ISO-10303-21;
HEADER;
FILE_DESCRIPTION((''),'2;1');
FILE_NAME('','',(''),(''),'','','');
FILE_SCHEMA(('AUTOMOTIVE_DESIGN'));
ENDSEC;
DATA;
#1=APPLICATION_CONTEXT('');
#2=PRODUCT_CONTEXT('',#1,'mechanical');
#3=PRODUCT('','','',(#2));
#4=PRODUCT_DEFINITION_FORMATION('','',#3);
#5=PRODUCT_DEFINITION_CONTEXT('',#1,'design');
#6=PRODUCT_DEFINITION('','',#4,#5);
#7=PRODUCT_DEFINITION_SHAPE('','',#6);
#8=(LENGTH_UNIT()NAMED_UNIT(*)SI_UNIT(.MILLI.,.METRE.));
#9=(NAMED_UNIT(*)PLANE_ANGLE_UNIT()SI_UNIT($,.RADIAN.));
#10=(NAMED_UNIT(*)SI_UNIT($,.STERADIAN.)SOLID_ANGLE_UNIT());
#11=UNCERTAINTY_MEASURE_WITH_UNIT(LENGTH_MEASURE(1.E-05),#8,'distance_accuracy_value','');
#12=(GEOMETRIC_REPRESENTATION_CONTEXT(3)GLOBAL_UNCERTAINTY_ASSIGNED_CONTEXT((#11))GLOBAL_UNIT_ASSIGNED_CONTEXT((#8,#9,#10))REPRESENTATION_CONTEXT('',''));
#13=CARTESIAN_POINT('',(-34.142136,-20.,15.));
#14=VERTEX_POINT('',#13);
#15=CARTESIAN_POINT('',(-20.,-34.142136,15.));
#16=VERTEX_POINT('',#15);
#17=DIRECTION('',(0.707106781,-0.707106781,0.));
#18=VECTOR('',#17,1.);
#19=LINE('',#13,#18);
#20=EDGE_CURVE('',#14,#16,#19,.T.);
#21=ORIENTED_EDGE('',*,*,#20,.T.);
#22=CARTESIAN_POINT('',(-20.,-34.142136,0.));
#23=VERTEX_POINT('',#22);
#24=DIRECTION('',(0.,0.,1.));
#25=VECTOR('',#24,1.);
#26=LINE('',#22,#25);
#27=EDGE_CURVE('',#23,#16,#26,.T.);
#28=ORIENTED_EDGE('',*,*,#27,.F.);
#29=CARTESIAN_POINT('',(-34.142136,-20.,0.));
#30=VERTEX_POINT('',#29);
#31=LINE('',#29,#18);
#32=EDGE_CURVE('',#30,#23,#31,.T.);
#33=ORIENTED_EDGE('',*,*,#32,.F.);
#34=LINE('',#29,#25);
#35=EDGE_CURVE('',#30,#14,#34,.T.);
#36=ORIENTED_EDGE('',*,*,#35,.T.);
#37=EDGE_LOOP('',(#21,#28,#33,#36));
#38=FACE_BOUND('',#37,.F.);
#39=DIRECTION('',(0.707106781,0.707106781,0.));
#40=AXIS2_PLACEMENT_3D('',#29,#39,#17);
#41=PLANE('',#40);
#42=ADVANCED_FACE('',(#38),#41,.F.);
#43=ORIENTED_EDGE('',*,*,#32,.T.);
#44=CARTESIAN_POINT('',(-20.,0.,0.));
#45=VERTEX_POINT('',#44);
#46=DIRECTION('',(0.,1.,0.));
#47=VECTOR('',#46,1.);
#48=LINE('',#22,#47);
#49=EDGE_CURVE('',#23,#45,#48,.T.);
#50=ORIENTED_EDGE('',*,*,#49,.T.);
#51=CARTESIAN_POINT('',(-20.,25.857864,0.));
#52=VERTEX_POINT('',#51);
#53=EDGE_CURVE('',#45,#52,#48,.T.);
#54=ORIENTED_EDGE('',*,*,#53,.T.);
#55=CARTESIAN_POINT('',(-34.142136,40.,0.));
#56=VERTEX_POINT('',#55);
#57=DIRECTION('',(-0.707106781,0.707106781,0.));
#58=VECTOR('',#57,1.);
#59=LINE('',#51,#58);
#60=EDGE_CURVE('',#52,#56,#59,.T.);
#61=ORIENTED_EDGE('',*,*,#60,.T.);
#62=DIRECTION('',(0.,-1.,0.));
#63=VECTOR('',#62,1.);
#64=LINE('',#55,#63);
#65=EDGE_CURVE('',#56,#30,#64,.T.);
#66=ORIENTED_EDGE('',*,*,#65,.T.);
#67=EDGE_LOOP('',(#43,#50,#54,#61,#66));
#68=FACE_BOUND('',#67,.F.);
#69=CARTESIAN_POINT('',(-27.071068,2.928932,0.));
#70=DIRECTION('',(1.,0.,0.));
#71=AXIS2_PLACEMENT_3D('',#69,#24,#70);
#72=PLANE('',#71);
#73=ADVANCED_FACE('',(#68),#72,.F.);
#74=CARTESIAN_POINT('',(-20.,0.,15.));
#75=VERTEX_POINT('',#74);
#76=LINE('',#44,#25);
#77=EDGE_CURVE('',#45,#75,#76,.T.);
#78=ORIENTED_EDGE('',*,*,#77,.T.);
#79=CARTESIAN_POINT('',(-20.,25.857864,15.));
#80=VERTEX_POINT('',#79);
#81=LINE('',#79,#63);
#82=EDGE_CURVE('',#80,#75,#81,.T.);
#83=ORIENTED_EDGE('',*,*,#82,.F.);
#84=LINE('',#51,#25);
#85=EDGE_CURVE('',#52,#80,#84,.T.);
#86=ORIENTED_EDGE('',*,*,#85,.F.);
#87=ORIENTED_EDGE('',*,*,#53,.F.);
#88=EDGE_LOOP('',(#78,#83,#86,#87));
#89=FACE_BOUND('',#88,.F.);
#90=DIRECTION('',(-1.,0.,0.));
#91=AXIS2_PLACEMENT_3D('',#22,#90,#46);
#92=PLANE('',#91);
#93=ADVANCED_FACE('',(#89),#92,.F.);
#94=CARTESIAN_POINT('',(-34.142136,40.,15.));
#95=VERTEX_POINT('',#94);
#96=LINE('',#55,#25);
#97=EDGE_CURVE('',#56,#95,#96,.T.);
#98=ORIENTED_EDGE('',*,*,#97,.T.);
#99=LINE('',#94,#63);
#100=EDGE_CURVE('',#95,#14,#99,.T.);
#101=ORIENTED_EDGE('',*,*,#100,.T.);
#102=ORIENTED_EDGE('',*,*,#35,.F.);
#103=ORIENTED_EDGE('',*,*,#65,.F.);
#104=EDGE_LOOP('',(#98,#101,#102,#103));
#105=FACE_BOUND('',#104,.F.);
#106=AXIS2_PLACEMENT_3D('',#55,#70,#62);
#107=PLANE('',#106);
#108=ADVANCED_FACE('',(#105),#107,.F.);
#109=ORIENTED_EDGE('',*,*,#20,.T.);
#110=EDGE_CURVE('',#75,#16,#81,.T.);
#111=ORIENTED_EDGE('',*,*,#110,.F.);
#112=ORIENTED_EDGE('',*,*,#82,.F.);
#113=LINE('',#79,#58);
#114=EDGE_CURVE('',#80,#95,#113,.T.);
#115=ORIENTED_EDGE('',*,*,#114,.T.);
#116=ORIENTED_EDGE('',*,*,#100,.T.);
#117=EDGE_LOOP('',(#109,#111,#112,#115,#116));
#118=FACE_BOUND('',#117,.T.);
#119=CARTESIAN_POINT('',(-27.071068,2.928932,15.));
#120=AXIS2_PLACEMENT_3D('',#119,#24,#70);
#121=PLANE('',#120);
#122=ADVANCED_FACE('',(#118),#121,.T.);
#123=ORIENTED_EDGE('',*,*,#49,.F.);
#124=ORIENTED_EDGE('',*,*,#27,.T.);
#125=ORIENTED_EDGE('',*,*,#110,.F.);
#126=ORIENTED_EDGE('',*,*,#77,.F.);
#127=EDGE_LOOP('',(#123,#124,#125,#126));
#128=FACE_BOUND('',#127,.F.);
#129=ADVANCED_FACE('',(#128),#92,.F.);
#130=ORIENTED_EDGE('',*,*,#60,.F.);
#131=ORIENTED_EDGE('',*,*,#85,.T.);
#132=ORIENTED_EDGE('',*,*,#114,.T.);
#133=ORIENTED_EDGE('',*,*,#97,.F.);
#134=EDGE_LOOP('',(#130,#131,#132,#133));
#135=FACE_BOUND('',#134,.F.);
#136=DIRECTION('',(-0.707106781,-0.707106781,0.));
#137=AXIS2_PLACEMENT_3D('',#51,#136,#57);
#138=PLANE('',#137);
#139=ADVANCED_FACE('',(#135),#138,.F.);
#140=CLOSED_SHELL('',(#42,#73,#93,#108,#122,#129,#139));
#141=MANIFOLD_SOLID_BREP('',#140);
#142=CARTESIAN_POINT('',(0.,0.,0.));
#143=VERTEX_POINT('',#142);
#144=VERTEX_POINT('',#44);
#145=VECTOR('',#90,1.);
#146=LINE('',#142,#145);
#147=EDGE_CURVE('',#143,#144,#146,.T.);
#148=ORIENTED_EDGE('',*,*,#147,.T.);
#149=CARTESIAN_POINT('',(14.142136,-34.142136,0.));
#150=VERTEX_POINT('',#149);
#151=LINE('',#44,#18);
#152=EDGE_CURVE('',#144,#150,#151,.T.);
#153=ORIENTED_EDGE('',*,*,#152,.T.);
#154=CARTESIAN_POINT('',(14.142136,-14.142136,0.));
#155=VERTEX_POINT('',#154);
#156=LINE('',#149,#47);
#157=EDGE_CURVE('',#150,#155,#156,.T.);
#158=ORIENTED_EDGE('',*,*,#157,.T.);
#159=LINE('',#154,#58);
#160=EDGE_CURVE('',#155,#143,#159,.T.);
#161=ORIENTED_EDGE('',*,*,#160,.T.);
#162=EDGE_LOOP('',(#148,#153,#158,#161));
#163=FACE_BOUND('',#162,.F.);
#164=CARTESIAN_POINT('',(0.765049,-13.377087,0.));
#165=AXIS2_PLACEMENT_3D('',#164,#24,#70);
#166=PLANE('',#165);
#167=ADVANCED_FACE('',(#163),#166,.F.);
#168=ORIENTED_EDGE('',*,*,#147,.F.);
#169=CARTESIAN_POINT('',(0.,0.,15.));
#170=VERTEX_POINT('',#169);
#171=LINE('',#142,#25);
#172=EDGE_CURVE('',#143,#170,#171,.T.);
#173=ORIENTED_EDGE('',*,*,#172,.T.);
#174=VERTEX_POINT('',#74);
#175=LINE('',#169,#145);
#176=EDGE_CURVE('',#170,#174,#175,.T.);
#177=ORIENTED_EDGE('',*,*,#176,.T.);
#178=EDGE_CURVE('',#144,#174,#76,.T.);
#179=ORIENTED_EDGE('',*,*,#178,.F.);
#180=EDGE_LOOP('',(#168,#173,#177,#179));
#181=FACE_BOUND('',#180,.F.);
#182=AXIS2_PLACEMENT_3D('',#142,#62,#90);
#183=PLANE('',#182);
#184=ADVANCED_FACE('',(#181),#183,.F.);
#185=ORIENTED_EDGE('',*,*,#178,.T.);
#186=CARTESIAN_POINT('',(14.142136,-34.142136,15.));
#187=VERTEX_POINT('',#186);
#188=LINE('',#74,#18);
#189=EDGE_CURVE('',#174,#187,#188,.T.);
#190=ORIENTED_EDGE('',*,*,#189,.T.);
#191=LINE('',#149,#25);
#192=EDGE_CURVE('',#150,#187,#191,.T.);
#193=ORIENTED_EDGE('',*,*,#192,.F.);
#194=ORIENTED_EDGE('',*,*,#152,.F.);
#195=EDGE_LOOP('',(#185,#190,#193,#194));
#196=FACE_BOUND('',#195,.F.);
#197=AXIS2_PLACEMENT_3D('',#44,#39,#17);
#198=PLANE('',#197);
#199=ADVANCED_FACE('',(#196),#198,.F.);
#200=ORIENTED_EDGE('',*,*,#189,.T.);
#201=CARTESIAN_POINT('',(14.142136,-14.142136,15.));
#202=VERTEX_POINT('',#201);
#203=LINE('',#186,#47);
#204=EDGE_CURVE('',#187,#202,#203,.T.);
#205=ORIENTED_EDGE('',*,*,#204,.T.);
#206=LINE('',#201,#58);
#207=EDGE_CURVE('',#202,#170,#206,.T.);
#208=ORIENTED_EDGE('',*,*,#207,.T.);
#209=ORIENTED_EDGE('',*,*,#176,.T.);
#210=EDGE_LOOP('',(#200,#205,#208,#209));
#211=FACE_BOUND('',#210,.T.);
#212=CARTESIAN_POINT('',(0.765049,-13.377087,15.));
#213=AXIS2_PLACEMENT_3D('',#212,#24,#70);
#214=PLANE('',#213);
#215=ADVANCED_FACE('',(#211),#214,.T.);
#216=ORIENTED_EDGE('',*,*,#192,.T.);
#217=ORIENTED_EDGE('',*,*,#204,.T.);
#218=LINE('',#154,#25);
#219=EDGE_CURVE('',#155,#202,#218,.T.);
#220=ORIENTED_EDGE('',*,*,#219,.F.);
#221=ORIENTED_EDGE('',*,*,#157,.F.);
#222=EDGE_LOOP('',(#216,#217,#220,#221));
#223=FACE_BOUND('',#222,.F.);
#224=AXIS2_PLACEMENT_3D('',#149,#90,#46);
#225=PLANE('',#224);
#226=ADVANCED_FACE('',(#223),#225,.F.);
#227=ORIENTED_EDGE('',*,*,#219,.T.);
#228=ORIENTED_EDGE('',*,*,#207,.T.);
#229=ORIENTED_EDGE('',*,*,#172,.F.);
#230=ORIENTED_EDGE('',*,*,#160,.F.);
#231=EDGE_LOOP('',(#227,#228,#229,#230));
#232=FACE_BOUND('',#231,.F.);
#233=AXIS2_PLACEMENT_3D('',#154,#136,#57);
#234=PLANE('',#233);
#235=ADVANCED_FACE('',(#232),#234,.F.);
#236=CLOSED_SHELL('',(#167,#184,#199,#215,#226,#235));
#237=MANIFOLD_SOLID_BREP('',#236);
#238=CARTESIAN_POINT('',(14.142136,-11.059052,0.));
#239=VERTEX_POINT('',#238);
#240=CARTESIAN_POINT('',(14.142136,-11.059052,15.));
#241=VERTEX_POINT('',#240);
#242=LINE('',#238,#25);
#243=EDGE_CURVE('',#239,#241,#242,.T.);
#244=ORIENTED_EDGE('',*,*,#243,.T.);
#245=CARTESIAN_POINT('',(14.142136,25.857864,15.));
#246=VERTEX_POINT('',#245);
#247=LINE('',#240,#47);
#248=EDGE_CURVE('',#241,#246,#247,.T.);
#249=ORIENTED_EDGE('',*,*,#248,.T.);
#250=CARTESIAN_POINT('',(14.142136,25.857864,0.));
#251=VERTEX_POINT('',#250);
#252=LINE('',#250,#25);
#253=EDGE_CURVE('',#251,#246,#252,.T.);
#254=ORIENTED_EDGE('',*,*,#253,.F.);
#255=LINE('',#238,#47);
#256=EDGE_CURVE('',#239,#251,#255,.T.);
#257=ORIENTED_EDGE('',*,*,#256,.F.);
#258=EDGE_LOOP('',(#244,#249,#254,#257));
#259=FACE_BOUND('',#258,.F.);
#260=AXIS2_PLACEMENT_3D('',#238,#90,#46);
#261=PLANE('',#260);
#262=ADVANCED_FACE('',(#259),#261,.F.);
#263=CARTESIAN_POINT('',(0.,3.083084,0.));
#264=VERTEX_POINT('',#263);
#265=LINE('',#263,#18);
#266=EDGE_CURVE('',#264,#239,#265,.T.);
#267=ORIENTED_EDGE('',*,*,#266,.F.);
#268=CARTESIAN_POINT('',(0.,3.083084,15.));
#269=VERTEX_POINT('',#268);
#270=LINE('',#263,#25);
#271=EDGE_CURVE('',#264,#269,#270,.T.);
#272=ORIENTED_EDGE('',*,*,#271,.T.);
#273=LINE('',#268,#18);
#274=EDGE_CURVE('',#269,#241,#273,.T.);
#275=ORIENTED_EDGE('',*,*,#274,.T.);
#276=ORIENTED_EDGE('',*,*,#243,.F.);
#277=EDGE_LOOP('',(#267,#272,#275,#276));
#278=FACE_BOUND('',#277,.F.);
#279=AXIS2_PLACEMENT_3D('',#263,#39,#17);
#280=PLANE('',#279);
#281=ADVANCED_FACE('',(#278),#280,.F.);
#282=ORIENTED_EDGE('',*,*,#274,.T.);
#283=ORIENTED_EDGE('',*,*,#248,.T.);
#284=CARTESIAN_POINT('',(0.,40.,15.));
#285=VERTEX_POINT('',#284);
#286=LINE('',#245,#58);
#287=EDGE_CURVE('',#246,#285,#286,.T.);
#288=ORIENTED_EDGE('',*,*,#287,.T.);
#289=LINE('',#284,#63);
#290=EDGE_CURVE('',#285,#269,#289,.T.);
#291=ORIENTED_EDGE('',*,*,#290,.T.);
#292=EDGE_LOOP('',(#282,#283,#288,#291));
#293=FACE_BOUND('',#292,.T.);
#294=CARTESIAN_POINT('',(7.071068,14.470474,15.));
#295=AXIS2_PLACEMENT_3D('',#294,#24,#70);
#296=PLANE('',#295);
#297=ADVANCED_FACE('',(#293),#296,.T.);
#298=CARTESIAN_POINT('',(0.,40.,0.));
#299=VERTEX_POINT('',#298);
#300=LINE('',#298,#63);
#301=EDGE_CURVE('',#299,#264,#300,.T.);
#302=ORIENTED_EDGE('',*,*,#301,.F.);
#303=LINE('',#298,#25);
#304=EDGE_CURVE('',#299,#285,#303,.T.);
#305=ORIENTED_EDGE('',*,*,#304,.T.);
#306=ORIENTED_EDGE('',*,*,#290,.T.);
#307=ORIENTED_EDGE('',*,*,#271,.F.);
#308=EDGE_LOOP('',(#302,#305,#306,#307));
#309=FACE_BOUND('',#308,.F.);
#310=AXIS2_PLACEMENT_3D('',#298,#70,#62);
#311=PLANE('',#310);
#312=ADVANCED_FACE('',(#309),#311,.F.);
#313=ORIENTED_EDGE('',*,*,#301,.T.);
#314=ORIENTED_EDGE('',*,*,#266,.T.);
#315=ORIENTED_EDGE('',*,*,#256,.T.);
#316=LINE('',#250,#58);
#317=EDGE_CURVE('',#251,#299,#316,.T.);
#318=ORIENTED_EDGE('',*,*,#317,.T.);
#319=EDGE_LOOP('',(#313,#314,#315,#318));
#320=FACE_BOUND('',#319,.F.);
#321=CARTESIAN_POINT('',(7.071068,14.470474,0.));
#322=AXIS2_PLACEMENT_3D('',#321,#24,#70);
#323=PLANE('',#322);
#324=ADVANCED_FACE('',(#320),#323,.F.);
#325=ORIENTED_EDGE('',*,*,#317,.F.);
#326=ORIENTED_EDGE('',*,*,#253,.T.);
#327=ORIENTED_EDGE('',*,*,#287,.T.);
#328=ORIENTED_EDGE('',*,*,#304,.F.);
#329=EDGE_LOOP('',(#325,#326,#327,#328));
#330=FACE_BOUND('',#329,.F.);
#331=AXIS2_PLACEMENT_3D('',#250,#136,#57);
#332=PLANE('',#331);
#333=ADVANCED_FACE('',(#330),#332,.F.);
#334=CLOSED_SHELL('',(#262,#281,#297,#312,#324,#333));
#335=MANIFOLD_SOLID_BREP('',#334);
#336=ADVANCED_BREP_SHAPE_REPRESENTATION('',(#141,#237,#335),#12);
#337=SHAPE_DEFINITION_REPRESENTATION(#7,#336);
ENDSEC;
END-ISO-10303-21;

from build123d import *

# Parameters (mm, degrees)
F1_DEPTH = 15


with BuildPart() as f1:
    # F0 (on Top) → F1 (new body)
    with BuildSketch(Plane.XY):
        Polygon((-20, 25.857864), (-34.142136, 40), (-34.142136, -20), (-20, -34.142136), (-20, 0), align=None)
        Polygon((14.142136, 25.857864), (0, 40), (0, 3.083084), (14.142136, -11.059052), align=None)
        Polygon((0, 0), (-20, 0), (14.142136, -34.142136), (14.142136, -14.142136), align=None)
    extrude(amount=F1_DEPTH)


solid = f1.part
